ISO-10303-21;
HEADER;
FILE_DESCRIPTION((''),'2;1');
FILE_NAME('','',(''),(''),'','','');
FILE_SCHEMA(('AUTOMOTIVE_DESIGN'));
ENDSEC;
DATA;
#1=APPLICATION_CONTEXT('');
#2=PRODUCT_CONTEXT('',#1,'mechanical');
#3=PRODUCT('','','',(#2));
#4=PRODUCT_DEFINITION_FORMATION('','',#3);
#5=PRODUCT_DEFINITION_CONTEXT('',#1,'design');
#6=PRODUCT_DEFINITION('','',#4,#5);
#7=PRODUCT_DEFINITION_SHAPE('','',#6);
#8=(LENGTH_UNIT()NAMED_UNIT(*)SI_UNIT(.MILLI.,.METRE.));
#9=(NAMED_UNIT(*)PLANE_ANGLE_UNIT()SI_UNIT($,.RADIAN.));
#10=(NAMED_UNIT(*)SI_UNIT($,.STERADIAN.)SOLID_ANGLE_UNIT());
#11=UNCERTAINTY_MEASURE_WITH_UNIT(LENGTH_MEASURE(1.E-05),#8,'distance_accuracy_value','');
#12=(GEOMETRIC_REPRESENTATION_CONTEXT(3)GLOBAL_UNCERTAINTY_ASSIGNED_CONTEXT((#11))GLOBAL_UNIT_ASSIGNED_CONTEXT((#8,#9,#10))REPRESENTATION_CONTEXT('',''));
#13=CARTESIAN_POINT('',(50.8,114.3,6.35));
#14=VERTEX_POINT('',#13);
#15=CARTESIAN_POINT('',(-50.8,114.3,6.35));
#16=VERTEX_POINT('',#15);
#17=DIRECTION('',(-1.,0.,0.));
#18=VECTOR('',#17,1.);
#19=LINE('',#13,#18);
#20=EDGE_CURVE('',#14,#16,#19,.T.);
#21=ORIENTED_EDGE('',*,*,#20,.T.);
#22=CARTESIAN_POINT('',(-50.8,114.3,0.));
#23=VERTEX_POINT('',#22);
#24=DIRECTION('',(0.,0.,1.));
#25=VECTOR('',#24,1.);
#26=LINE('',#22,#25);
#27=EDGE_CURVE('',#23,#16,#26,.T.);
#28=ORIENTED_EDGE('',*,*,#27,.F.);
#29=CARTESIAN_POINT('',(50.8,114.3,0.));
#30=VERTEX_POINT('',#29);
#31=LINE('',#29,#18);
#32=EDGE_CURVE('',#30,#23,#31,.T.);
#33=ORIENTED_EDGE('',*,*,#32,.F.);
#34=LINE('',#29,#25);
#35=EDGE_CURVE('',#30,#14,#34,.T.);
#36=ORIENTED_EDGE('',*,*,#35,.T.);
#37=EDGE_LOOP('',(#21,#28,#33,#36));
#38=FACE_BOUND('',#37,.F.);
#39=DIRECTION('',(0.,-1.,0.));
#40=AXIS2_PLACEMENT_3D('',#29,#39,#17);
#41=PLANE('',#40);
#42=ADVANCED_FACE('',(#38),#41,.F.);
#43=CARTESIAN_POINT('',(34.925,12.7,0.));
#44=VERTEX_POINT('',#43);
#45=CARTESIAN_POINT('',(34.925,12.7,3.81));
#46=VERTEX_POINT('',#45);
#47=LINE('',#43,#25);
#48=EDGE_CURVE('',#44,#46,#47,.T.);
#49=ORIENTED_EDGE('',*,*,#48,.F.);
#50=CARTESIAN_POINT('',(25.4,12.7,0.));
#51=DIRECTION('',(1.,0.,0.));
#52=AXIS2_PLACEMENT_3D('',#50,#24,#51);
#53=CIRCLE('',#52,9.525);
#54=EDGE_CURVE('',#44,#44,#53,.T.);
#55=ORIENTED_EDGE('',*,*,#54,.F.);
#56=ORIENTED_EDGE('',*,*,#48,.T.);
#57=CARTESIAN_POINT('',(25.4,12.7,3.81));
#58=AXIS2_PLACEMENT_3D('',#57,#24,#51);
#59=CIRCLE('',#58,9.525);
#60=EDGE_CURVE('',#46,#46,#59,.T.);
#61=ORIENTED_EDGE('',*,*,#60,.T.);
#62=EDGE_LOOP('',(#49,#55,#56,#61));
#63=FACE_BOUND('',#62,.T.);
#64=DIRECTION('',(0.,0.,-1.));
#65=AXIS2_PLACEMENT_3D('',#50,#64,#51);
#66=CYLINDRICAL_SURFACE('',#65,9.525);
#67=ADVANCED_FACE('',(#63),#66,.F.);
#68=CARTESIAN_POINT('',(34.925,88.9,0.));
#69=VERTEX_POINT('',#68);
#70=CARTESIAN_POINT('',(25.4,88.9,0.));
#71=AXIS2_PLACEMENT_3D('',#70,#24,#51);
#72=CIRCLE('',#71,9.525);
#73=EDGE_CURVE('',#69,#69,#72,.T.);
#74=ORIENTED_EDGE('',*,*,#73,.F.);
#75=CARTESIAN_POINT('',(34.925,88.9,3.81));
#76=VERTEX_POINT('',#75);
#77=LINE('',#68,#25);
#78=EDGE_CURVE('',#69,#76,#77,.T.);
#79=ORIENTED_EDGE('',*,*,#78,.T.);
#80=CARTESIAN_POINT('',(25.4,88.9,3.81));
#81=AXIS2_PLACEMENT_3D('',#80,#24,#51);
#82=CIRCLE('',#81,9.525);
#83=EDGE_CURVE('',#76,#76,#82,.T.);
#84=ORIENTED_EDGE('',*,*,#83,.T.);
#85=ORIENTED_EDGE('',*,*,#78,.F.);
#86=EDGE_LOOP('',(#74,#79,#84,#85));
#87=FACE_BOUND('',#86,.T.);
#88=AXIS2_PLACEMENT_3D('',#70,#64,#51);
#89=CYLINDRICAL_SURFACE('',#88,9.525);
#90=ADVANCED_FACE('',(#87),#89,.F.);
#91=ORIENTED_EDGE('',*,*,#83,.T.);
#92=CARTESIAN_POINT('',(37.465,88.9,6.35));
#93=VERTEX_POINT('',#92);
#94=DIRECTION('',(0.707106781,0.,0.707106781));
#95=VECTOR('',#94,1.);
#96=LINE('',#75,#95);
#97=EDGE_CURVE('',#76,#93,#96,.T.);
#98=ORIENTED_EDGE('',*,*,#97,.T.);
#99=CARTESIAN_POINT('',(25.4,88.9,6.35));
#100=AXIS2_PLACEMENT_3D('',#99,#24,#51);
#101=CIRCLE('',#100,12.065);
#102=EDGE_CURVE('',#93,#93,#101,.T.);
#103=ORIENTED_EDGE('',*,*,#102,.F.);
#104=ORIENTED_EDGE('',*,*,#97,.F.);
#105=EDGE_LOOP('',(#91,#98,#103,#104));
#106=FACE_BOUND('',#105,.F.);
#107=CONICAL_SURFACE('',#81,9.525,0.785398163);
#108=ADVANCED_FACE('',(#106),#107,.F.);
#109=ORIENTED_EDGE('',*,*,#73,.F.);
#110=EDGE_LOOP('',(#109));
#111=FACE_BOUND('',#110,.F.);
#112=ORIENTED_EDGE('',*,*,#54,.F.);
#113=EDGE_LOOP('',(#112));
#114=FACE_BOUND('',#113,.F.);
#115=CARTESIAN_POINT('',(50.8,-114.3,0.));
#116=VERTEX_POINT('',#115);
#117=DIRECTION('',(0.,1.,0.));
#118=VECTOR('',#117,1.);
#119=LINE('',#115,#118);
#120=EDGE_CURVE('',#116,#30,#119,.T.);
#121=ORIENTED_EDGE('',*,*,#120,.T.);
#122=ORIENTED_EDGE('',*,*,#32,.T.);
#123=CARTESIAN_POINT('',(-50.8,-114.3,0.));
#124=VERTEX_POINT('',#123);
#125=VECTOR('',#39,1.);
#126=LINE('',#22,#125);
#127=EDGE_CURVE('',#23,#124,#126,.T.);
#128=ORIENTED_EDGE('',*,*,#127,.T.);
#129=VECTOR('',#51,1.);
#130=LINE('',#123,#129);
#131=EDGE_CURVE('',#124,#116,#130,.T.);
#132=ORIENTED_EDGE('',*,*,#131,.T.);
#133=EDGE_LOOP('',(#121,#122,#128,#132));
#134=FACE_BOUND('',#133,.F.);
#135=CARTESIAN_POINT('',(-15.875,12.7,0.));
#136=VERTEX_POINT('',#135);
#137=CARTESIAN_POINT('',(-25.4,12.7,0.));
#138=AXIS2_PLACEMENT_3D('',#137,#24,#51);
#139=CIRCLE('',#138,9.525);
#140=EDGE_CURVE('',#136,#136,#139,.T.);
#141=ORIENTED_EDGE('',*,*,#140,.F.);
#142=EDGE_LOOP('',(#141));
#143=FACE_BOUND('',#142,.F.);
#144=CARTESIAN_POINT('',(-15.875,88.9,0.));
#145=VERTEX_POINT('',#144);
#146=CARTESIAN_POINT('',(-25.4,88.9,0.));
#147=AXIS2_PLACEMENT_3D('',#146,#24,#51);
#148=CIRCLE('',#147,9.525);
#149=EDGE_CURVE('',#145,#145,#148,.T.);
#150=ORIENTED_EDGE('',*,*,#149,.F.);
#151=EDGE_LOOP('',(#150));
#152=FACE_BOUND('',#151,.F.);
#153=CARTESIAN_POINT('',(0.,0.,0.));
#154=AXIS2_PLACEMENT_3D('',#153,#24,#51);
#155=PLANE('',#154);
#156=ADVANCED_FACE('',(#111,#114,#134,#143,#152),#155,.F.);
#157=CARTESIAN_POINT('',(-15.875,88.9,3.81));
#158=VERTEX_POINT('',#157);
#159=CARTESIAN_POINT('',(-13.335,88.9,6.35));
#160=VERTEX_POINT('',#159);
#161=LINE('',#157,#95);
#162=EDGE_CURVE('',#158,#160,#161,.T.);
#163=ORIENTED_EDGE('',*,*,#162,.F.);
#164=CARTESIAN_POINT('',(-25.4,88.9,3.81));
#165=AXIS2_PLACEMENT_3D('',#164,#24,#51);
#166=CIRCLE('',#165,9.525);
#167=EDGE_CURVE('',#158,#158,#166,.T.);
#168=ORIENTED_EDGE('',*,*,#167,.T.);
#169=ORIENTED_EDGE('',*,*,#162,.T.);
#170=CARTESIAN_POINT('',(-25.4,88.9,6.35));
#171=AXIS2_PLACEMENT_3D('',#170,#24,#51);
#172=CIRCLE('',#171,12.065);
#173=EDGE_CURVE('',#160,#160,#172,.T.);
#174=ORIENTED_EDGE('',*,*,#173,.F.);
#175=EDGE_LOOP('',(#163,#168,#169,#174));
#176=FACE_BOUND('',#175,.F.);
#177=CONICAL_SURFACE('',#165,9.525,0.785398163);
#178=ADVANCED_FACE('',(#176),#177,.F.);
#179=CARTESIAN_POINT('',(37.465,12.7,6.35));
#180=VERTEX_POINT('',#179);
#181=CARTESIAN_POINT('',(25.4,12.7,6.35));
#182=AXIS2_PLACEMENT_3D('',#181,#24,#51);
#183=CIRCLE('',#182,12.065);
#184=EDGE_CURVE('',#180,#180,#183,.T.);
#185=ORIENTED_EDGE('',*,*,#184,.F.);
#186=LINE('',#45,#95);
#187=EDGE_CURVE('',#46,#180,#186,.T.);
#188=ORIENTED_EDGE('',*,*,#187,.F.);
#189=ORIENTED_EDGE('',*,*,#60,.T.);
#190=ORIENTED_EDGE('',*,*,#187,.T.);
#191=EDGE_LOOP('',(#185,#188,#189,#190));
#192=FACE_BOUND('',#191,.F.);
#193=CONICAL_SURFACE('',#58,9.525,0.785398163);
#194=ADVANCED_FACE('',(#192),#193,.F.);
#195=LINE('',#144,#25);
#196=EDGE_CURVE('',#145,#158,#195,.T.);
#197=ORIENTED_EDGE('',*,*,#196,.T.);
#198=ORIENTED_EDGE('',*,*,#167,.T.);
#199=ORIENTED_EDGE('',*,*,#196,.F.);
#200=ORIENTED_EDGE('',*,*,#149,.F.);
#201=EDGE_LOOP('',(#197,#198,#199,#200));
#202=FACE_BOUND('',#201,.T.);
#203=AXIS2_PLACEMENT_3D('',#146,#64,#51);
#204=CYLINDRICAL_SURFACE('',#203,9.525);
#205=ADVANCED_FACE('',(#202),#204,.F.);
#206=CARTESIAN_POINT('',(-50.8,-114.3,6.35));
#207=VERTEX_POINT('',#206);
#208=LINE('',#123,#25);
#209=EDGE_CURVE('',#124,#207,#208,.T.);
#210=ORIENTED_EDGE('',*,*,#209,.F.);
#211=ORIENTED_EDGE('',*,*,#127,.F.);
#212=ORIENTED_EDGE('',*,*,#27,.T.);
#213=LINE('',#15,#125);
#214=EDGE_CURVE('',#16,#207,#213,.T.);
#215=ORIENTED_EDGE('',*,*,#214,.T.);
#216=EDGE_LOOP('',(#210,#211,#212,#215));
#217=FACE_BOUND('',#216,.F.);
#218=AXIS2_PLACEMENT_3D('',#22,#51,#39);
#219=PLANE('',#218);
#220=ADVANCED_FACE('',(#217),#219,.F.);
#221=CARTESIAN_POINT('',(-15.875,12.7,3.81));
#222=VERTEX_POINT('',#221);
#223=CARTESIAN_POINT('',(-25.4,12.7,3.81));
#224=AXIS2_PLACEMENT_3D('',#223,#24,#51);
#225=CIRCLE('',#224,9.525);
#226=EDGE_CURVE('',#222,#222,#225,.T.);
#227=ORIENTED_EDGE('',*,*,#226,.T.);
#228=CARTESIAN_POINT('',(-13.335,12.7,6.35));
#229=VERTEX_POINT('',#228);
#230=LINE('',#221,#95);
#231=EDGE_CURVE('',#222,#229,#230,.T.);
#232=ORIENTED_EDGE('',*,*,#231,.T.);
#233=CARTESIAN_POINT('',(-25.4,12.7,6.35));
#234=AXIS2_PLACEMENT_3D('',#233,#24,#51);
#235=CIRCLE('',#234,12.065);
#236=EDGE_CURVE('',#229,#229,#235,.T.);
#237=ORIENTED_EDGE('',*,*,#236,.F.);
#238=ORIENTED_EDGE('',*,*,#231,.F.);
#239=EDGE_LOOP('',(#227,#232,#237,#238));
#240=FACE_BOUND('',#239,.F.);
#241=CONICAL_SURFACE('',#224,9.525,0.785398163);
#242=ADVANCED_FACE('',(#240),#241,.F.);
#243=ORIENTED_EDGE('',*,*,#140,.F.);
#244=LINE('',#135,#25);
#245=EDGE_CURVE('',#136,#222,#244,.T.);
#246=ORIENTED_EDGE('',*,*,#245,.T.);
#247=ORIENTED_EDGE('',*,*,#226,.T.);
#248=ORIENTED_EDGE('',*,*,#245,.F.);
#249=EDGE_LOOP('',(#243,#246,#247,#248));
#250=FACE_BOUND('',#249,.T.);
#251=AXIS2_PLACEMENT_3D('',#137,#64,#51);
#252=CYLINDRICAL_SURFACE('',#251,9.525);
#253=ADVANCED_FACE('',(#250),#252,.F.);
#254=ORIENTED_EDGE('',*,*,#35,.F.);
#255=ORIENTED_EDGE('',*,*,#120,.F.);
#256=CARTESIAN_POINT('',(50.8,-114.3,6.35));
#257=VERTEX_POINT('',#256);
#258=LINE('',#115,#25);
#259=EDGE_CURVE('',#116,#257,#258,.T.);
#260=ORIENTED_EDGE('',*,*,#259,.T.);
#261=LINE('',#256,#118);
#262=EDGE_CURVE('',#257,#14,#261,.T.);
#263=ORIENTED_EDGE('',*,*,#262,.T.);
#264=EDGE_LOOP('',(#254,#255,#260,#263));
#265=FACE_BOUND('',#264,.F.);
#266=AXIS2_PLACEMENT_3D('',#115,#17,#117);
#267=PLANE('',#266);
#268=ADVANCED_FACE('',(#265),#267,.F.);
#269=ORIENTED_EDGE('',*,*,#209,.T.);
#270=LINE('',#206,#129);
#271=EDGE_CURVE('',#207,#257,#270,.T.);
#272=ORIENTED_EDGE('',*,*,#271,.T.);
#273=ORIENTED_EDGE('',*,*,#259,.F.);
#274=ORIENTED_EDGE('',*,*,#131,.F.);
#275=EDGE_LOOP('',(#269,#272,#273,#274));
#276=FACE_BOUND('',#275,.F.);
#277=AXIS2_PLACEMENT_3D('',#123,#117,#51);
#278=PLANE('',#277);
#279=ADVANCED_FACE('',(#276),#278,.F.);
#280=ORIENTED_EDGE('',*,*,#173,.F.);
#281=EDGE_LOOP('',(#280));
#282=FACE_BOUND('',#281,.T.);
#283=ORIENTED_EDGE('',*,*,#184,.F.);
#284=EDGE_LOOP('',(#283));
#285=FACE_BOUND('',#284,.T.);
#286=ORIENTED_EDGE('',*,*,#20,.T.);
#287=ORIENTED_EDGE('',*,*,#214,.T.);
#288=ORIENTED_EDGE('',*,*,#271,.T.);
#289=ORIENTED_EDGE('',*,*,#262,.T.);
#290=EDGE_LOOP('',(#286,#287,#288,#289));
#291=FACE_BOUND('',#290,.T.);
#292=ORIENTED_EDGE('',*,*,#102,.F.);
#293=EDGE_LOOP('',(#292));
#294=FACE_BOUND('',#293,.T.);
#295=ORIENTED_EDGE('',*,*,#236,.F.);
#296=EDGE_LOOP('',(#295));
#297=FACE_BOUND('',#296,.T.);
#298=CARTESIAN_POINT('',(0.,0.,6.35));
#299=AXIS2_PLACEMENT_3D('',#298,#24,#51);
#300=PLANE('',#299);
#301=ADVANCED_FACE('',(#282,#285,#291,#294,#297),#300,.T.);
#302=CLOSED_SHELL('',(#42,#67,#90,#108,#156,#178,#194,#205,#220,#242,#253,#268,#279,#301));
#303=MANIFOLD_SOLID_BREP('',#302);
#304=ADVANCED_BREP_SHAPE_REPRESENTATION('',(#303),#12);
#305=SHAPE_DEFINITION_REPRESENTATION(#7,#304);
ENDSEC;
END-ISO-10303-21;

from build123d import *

# Parameters (mm, degrees)
F0_R     = 9.525
F1_DEPTH = 6.35
F2_SIZE  = 2.54


with BuildPart() as f1:
    # F0 (on Top) → F1 (new body)
    with BuildSketch(Plane.XY):
        Polygon((50.8, 114.3), (-50.8, 114.3), (-50.8, 0), (-50.8, -114.3), (50.8, -114.3), (50.8, 0), align=None)
        with Locations((-25.4, 12.7)):
            Circle(F0_R, mode=Mode.SUBTRACT)
        with Locations((-25.4, 88.9)):
            Circle(F0_R, mode=Mode.SUBTRACT)
        with Locations((25.4, 12.7)):
            Circle(F0_R, mode=Mode.SUBTRACT)
        with Locations((25.4, 88.9)):
            Circle(F0_R, mode=Mode.SUBTRACT)
    extrude(amount=F1_DEPTH)

    # F2
    f2_edges = [f1.edges().sort_by_distance(p)[0] for p in [
        (-34.925, 88.9, 6.35),
        (15.875, 88.9, 6.35),
        (15.875, 12.7, 6.35),
        (-34.925, 12.7, 6.35),
    ]]
    chamfer(f2_edges, length=F2_SIZE)


solid = f1.part
